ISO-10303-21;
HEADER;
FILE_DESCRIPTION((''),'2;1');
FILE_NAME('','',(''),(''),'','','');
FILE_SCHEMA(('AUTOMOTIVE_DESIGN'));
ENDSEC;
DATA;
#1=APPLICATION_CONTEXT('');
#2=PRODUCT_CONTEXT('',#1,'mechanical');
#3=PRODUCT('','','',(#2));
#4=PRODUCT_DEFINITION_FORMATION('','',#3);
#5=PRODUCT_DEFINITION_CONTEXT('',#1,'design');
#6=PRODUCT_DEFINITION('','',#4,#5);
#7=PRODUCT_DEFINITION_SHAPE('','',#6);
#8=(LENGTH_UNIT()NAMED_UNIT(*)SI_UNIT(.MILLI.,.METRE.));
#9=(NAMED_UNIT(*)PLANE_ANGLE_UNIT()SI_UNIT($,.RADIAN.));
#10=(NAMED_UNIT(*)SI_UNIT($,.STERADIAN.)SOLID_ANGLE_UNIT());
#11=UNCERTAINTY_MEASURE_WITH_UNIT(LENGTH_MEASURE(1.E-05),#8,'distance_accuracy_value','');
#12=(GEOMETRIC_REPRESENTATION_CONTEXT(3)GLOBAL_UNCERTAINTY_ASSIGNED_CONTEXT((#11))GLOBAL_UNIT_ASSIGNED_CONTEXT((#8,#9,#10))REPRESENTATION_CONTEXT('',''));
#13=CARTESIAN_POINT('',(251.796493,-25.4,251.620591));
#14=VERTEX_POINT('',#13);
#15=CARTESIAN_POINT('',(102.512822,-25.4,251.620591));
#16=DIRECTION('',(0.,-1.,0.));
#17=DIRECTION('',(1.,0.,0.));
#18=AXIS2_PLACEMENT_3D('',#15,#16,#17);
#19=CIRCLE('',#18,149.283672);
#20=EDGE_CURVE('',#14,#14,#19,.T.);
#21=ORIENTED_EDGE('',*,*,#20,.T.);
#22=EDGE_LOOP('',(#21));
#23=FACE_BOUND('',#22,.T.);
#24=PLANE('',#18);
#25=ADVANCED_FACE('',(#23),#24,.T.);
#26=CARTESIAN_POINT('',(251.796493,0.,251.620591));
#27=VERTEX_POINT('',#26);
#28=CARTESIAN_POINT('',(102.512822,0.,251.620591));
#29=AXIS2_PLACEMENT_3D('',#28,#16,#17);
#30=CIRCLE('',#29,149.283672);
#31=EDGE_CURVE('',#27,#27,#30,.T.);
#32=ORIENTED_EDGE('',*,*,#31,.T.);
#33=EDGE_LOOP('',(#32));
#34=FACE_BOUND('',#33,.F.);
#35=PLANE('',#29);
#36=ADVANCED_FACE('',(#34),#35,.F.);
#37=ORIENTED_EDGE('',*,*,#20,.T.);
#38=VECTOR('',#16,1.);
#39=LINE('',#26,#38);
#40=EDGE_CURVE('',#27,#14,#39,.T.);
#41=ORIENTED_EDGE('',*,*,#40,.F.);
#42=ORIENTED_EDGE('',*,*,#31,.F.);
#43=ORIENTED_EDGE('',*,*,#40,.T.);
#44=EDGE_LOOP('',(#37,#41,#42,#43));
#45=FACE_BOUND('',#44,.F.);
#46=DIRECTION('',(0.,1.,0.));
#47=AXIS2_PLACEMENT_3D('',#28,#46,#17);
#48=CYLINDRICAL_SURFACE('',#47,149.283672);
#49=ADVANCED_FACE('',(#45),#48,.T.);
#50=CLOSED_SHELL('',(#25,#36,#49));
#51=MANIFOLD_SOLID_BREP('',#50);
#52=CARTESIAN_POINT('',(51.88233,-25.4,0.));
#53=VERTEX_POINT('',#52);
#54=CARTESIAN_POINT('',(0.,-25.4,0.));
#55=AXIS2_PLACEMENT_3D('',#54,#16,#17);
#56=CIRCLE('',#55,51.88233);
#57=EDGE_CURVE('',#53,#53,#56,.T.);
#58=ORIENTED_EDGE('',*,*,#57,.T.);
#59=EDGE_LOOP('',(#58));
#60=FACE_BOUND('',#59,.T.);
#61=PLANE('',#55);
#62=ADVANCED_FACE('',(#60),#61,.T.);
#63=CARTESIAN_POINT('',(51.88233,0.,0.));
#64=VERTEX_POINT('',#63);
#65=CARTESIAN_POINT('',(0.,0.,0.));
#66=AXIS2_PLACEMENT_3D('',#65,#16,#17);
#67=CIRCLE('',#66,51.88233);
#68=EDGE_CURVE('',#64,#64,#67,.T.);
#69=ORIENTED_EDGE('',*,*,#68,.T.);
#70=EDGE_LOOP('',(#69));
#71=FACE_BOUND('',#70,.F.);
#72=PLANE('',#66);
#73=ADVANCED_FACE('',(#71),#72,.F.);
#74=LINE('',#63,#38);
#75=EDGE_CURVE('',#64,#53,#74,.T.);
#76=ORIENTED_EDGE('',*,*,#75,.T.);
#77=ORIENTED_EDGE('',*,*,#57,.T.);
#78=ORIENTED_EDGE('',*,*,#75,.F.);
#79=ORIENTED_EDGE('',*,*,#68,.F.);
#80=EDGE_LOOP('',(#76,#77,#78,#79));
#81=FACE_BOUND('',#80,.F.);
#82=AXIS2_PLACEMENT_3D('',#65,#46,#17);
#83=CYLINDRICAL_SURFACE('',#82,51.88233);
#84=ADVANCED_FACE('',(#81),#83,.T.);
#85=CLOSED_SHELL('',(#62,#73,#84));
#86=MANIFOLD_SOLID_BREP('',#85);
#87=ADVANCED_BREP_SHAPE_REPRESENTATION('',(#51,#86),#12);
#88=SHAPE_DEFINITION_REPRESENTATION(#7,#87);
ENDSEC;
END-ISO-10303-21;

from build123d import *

# Parameters (mm, degrees)
F0_R     = 51.8823295408
F0_R_2   = 30.3796261126
F1_DEPTH = 25.4
F0_R_3   = 149.2836716785


with BuildPart() as f1:
    # F0 (on Front) → F1 (new body)
    with BuildSketch(Plane.XZ):
        Circle(F0_R)
        with Locations((21.5027034283, 0)):
            Circle(F0_R_2, mode=Mode.SUBTRACT)
        with Locations((21.5027034283, 0)):
            Circle(F0_R_2)
    extrude(amount=F1_DEPTH)


with BuildPart() as f1b:
    # F0 (on Front) → F1, piece 2 (new body)
    with BuildSketch(Plane.XZ):
        with Locations((102.5128215551, 251.6205906868)):
            Circle(F0_R_3)
    extrude(amount=F1_DEPTH)


solid = Compound([f1.part, f1b.part])
